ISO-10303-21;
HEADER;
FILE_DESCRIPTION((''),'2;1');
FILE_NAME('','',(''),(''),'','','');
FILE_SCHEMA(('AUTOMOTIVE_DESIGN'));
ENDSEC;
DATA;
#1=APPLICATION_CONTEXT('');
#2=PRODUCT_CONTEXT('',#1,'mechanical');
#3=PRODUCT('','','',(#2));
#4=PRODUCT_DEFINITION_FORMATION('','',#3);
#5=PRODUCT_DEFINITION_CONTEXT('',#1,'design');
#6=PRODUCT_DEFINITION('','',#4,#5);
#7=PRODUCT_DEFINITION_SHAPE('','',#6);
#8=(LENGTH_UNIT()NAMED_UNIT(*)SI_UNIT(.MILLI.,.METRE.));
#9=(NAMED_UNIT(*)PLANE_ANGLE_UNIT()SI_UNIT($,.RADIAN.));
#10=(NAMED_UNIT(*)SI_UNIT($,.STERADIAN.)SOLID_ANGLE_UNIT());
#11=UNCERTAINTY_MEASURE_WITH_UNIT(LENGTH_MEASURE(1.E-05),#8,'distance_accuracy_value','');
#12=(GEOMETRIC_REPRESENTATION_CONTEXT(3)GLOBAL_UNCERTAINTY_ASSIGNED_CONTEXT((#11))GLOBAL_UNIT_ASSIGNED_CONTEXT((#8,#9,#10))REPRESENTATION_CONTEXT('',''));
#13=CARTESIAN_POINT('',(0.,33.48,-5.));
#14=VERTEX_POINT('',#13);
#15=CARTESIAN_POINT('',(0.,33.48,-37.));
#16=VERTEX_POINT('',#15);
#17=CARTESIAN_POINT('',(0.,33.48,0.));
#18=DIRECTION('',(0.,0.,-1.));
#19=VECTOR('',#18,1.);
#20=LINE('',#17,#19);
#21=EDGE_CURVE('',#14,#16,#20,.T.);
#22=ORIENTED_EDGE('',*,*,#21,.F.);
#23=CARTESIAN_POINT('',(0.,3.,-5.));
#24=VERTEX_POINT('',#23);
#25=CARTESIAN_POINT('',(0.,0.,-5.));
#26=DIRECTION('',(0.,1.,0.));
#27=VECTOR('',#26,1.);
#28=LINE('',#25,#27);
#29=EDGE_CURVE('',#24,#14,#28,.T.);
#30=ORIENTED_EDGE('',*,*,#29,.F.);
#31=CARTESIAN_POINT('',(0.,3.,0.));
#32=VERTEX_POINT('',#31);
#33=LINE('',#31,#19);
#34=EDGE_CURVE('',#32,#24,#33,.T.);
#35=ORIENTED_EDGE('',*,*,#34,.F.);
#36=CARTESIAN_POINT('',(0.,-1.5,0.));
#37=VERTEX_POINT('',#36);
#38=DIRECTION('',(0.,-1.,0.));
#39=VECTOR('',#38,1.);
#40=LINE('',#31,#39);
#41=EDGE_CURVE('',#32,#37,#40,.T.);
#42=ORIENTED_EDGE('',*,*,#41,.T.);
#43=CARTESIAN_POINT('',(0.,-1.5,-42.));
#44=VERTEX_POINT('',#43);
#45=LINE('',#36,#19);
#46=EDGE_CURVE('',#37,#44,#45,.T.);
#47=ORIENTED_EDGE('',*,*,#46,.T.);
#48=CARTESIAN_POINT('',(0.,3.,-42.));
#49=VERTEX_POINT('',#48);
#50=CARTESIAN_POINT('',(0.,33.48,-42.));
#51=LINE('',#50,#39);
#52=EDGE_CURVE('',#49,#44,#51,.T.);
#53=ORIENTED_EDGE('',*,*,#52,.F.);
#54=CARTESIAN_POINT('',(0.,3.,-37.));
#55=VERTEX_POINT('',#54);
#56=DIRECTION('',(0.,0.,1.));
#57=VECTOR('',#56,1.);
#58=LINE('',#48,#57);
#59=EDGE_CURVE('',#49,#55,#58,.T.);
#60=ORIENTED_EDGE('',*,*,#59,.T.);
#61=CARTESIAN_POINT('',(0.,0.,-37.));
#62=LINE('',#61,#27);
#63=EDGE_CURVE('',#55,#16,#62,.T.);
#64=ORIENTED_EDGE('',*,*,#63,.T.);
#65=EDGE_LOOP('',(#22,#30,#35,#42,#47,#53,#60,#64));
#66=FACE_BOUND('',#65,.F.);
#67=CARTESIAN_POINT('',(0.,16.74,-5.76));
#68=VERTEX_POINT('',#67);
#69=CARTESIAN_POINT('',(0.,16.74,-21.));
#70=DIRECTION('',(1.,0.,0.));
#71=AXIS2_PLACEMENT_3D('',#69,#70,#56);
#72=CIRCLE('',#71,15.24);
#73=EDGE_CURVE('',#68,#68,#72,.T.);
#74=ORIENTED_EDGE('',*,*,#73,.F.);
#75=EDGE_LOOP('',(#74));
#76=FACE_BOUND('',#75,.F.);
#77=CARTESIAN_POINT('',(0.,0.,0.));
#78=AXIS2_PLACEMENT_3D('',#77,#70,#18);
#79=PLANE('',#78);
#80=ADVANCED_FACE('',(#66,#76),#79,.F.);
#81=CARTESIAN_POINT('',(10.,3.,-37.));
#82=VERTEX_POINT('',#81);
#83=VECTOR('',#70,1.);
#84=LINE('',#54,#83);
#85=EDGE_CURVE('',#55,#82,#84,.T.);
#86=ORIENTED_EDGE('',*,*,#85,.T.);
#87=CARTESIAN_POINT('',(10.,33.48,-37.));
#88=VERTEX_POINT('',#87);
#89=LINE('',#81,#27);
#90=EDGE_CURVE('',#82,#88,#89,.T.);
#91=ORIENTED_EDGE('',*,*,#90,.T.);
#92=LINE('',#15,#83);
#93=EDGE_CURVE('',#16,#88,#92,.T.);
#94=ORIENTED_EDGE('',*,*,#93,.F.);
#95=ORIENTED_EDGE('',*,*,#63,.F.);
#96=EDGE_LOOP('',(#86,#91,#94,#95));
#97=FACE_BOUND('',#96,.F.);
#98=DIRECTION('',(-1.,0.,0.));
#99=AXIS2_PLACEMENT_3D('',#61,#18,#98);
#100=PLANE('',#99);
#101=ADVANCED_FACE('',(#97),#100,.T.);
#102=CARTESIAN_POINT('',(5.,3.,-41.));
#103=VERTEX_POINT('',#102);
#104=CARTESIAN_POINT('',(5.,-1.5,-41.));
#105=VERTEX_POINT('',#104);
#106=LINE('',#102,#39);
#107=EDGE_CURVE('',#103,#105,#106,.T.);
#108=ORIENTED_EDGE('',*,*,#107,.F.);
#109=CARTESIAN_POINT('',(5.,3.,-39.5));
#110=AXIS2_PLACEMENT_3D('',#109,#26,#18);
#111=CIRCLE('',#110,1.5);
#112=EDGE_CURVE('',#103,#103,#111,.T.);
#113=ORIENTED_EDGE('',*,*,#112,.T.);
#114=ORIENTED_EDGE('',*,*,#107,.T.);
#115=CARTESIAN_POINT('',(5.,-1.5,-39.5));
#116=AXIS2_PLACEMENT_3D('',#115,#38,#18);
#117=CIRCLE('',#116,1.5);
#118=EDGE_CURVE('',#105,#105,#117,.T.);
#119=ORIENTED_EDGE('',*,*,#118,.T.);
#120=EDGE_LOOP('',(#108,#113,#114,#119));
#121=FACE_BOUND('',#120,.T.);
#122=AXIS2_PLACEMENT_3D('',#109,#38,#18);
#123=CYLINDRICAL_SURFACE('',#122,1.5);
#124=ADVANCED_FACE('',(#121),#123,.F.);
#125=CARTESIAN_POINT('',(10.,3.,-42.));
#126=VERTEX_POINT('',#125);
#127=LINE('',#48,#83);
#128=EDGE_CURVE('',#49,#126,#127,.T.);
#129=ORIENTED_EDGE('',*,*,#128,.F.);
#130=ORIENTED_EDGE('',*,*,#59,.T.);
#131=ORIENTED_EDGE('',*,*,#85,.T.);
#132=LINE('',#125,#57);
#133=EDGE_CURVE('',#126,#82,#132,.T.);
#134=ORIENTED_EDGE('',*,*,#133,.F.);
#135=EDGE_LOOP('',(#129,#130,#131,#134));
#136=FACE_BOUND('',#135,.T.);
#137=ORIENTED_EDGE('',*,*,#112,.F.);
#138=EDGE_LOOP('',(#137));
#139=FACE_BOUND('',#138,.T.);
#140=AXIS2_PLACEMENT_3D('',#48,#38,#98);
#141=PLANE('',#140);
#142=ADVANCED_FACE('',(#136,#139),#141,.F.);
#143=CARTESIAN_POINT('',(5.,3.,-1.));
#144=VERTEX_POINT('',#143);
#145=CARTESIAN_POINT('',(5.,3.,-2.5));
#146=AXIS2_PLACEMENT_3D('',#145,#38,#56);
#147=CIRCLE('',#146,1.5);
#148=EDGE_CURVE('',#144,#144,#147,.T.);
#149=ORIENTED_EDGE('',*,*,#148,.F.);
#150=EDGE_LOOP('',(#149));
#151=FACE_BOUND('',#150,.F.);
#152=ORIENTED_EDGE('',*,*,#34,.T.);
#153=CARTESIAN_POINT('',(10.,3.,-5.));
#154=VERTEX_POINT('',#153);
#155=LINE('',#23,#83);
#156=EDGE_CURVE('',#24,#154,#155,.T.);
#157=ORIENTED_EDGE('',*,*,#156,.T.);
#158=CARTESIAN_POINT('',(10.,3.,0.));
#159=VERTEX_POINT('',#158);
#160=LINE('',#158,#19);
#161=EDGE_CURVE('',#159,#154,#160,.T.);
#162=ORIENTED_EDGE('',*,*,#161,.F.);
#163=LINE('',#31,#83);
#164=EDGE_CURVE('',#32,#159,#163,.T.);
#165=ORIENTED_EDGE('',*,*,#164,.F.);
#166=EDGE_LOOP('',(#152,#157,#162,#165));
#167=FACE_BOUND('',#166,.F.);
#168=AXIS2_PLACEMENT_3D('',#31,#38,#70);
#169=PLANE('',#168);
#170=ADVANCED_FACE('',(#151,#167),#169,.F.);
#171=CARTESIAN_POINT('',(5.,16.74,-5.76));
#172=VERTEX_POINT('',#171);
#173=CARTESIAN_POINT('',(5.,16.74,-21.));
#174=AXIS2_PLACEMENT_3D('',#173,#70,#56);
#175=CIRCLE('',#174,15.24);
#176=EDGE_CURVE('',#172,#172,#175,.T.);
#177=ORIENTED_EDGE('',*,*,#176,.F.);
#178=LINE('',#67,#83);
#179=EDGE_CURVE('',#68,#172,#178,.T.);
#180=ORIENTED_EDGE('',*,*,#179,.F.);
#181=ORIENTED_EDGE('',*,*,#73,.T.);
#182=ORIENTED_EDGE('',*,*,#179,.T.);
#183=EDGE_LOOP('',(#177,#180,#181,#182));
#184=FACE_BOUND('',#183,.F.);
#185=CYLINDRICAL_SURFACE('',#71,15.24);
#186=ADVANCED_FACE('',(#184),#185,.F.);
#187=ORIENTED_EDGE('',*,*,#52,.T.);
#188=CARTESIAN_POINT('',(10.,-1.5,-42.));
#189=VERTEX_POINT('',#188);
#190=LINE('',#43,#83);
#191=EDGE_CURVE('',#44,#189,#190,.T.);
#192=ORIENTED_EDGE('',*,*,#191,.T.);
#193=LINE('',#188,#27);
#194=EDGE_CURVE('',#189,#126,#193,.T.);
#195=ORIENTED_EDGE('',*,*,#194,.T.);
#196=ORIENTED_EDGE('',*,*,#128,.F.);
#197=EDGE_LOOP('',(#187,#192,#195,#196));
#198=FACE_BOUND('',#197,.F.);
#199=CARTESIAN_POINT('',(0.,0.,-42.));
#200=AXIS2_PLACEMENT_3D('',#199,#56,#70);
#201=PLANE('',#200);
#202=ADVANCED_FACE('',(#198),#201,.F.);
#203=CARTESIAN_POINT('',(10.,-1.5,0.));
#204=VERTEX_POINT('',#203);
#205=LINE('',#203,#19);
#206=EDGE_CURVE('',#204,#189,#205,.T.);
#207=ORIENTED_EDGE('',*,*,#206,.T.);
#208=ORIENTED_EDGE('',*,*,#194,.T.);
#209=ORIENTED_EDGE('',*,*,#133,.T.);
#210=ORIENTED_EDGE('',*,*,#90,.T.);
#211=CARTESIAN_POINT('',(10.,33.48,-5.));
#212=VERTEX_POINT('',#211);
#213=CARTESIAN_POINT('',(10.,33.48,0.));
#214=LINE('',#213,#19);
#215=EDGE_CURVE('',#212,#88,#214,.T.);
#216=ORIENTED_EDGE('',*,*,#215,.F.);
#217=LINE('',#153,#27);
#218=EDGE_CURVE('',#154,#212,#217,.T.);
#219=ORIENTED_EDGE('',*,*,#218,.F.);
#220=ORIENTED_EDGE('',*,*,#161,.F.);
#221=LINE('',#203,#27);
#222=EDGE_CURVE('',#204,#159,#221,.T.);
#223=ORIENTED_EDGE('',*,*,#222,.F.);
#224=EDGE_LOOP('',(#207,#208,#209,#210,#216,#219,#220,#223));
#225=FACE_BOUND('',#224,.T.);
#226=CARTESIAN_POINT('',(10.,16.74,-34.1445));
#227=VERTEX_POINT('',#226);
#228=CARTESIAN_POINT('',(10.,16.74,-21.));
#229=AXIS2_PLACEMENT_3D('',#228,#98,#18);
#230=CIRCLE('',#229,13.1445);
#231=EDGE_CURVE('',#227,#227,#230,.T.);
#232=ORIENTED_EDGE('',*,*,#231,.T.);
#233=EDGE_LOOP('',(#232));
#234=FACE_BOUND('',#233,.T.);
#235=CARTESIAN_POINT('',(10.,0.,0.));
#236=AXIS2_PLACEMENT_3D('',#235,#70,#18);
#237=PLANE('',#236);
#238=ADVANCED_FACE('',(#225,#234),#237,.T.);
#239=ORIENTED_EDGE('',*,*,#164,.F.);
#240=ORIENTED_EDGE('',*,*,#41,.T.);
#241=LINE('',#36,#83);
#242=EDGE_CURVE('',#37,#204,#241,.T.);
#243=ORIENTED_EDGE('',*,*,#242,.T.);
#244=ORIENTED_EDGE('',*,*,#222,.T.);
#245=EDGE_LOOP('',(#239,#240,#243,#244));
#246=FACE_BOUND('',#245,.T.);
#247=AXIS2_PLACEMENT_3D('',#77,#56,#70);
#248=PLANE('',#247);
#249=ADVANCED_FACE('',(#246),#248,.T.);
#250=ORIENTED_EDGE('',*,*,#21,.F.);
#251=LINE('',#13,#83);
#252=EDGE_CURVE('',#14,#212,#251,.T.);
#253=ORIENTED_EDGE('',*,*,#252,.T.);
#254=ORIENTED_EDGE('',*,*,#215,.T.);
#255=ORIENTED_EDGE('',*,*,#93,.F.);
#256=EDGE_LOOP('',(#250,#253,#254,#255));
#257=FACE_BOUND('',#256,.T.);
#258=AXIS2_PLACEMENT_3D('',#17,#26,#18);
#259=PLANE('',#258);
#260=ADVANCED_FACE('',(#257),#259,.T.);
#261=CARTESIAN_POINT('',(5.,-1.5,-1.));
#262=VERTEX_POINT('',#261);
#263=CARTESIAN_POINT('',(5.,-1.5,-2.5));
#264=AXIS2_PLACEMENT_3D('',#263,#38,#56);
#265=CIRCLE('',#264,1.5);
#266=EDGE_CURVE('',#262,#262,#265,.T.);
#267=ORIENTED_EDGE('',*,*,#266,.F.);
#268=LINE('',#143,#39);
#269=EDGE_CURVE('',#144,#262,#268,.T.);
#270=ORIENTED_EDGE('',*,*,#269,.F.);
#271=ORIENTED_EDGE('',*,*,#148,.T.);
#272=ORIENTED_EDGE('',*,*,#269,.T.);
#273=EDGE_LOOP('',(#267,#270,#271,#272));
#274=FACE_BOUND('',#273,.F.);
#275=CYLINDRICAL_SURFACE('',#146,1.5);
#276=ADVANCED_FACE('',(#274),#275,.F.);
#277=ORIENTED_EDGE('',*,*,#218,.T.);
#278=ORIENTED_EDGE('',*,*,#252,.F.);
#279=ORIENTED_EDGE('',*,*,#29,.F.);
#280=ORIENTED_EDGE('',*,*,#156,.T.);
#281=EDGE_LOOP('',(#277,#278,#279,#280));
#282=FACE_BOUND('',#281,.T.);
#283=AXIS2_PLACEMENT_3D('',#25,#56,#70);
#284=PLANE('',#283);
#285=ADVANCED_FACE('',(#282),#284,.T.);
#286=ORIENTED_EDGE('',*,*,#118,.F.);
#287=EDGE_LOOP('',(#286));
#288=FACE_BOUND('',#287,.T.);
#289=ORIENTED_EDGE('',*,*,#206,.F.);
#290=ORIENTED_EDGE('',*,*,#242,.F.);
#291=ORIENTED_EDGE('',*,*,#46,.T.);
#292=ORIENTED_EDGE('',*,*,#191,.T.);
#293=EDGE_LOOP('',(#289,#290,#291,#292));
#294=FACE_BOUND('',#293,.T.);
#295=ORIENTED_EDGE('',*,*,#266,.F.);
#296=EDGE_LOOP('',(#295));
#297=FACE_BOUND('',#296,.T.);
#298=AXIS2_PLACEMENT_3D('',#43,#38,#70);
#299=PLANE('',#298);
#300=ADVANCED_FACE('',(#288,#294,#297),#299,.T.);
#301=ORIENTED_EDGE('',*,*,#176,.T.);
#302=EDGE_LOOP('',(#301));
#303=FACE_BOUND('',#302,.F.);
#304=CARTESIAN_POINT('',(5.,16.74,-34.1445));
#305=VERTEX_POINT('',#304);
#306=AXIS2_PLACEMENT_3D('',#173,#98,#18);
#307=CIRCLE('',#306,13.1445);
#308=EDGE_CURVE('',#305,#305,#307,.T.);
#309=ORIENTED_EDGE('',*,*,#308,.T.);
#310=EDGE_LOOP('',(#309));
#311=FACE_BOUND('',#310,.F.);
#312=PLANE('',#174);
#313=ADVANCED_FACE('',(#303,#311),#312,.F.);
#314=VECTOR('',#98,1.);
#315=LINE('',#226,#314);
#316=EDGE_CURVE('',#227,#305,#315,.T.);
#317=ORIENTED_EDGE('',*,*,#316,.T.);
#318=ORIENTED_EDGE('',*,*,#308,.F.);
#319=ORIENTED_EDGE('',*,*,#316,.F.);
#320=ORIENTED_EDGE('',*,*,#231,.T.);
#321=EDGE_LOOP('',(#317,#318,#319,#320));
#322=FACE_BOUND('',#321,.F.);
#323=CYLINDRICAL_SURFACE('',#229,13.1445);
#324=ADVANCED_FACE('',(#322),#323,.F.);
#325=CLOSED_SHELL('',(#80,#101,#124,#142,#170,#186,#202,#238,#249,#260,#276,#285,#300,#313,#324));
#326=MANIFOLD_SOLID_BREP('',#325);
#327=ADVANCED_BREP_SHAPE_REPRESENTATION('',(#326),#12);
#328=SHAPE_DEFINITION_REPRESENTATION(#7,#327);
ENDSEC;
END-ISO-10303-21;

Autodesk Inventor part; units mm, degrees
ref_plane "YZ Plane" through (0, 0, 0) normal (1, 0, 0) x (0, 1, 0)
ref_plane "XZ Plane" through (0, 0, 0) normal (0, 1, 0) x (-1, 0, 0)
sketch "Sketch1" plane through (0, 0, 0) normal (1, 0, 0) x (0, 1, 0)
  line L0 (0, 0) -> (33.48, 0)
  line L1 (33.48, 0) -> (33.48, -42)
  line L2 (33.48, -42) -> (0, -42)
  line L3 (0, -42) -> (0, 0)
  point P0 (33.48, -21)
  point P1 (16.74, 0)
  dimension "d0" = 33.48
  dimension "d1" = 42
extrude "Extrusion1" add sketch "Sketch1" along normal blind 10
sketch "Sketch2" plane through (10, 0, 0) normal (1, 0, 0) x (0, 0, -1)
  line L0 (0, 33.48) -> (0, 0) projected
  line L1 (42, 33.48) -> (0, 33.48) projected
  point P0 (21, 16.74)
  point P1 (0, 16.74)
  point P2 (21, 33.48)
hole "Hole1" at (10, 16.74, -21) direction (-1, 0, 0) diameter 26.289 depth 66.675 tip angle 118
sketch "Sketch3" plane through (0, 0, 0) normal (0, 0, 1) x (1, 0, 0)
  line L0 (0, 0) -> (0, 33.48) projected
  line L1 (0, 33.48) -> (10, 33.48) projected
  line L2 (0, 3) -> (10, 3)
  line L3 (10, 3) -> (10, 33.48)
  line L4 (10, 33.48) -> (0, 33.48)
  line L5 (0, 33.48) -> (0, 3)
  line L6 (0, 0) -> (10, 0) projected
  dimension "d12" = 3
extrude "Extrusion2" cut sketch "Sketch3" against normal blind 5
sketch "Sketch6" plane through (0, 0, -42) normal (0, -1, 0) x (1, 0, 0)
  line L0 (0, 42) -> (0, 0) projected
  line L1 (0, 0) -> (10, 0) projected
  line L2 (0, 42) -> (10, 42)
  line L3 (10, 42) -> (10, 0)
  line L4 (10, 0) -> (0, 0)
  line L5 (0, 0) -> (0, 42)
extrude "Extrusion3" add sketch "Sketch6" along normal blind 1.5
ref_plane "Work Plane1" through (0, 0, -21) normal (0, 0, 1) x (1, 0, 0)
sketch "Sketch4" plane through (0, 3, 0) normal (0, 1, 0) x (1, 0, 0)
  line L0 (10, 5) -> (10, 0) projected
  line L1 (10, 0) -> (0, 0) projected
  point P0 (5, 2.5)
  point P1 (10, 2.5)
  point P2 (5, 0)
hole "Hole2" at (5, 3, -2.5) direction (0, -1, 0) diameter 3 end through all
mirror "Mirror1" about plane through (0, 0, -21) normal (0, 0, 1) of "Hole2", "Extrusion2"
sketch "Sketch5" plane through (0, 0, 0) normal (-1, 0, 0) x (0, 0, 1)
  circle A0 centre (-21, 16.74) radius 13.1445 projected
  point P0 (0, 0)
hole "Hole3" at (0, 16.74, -21) direction (1, 0, 0) diameter 30.48 depth 5
properties part number "Laser holder3" material "Aluminum 6061"
